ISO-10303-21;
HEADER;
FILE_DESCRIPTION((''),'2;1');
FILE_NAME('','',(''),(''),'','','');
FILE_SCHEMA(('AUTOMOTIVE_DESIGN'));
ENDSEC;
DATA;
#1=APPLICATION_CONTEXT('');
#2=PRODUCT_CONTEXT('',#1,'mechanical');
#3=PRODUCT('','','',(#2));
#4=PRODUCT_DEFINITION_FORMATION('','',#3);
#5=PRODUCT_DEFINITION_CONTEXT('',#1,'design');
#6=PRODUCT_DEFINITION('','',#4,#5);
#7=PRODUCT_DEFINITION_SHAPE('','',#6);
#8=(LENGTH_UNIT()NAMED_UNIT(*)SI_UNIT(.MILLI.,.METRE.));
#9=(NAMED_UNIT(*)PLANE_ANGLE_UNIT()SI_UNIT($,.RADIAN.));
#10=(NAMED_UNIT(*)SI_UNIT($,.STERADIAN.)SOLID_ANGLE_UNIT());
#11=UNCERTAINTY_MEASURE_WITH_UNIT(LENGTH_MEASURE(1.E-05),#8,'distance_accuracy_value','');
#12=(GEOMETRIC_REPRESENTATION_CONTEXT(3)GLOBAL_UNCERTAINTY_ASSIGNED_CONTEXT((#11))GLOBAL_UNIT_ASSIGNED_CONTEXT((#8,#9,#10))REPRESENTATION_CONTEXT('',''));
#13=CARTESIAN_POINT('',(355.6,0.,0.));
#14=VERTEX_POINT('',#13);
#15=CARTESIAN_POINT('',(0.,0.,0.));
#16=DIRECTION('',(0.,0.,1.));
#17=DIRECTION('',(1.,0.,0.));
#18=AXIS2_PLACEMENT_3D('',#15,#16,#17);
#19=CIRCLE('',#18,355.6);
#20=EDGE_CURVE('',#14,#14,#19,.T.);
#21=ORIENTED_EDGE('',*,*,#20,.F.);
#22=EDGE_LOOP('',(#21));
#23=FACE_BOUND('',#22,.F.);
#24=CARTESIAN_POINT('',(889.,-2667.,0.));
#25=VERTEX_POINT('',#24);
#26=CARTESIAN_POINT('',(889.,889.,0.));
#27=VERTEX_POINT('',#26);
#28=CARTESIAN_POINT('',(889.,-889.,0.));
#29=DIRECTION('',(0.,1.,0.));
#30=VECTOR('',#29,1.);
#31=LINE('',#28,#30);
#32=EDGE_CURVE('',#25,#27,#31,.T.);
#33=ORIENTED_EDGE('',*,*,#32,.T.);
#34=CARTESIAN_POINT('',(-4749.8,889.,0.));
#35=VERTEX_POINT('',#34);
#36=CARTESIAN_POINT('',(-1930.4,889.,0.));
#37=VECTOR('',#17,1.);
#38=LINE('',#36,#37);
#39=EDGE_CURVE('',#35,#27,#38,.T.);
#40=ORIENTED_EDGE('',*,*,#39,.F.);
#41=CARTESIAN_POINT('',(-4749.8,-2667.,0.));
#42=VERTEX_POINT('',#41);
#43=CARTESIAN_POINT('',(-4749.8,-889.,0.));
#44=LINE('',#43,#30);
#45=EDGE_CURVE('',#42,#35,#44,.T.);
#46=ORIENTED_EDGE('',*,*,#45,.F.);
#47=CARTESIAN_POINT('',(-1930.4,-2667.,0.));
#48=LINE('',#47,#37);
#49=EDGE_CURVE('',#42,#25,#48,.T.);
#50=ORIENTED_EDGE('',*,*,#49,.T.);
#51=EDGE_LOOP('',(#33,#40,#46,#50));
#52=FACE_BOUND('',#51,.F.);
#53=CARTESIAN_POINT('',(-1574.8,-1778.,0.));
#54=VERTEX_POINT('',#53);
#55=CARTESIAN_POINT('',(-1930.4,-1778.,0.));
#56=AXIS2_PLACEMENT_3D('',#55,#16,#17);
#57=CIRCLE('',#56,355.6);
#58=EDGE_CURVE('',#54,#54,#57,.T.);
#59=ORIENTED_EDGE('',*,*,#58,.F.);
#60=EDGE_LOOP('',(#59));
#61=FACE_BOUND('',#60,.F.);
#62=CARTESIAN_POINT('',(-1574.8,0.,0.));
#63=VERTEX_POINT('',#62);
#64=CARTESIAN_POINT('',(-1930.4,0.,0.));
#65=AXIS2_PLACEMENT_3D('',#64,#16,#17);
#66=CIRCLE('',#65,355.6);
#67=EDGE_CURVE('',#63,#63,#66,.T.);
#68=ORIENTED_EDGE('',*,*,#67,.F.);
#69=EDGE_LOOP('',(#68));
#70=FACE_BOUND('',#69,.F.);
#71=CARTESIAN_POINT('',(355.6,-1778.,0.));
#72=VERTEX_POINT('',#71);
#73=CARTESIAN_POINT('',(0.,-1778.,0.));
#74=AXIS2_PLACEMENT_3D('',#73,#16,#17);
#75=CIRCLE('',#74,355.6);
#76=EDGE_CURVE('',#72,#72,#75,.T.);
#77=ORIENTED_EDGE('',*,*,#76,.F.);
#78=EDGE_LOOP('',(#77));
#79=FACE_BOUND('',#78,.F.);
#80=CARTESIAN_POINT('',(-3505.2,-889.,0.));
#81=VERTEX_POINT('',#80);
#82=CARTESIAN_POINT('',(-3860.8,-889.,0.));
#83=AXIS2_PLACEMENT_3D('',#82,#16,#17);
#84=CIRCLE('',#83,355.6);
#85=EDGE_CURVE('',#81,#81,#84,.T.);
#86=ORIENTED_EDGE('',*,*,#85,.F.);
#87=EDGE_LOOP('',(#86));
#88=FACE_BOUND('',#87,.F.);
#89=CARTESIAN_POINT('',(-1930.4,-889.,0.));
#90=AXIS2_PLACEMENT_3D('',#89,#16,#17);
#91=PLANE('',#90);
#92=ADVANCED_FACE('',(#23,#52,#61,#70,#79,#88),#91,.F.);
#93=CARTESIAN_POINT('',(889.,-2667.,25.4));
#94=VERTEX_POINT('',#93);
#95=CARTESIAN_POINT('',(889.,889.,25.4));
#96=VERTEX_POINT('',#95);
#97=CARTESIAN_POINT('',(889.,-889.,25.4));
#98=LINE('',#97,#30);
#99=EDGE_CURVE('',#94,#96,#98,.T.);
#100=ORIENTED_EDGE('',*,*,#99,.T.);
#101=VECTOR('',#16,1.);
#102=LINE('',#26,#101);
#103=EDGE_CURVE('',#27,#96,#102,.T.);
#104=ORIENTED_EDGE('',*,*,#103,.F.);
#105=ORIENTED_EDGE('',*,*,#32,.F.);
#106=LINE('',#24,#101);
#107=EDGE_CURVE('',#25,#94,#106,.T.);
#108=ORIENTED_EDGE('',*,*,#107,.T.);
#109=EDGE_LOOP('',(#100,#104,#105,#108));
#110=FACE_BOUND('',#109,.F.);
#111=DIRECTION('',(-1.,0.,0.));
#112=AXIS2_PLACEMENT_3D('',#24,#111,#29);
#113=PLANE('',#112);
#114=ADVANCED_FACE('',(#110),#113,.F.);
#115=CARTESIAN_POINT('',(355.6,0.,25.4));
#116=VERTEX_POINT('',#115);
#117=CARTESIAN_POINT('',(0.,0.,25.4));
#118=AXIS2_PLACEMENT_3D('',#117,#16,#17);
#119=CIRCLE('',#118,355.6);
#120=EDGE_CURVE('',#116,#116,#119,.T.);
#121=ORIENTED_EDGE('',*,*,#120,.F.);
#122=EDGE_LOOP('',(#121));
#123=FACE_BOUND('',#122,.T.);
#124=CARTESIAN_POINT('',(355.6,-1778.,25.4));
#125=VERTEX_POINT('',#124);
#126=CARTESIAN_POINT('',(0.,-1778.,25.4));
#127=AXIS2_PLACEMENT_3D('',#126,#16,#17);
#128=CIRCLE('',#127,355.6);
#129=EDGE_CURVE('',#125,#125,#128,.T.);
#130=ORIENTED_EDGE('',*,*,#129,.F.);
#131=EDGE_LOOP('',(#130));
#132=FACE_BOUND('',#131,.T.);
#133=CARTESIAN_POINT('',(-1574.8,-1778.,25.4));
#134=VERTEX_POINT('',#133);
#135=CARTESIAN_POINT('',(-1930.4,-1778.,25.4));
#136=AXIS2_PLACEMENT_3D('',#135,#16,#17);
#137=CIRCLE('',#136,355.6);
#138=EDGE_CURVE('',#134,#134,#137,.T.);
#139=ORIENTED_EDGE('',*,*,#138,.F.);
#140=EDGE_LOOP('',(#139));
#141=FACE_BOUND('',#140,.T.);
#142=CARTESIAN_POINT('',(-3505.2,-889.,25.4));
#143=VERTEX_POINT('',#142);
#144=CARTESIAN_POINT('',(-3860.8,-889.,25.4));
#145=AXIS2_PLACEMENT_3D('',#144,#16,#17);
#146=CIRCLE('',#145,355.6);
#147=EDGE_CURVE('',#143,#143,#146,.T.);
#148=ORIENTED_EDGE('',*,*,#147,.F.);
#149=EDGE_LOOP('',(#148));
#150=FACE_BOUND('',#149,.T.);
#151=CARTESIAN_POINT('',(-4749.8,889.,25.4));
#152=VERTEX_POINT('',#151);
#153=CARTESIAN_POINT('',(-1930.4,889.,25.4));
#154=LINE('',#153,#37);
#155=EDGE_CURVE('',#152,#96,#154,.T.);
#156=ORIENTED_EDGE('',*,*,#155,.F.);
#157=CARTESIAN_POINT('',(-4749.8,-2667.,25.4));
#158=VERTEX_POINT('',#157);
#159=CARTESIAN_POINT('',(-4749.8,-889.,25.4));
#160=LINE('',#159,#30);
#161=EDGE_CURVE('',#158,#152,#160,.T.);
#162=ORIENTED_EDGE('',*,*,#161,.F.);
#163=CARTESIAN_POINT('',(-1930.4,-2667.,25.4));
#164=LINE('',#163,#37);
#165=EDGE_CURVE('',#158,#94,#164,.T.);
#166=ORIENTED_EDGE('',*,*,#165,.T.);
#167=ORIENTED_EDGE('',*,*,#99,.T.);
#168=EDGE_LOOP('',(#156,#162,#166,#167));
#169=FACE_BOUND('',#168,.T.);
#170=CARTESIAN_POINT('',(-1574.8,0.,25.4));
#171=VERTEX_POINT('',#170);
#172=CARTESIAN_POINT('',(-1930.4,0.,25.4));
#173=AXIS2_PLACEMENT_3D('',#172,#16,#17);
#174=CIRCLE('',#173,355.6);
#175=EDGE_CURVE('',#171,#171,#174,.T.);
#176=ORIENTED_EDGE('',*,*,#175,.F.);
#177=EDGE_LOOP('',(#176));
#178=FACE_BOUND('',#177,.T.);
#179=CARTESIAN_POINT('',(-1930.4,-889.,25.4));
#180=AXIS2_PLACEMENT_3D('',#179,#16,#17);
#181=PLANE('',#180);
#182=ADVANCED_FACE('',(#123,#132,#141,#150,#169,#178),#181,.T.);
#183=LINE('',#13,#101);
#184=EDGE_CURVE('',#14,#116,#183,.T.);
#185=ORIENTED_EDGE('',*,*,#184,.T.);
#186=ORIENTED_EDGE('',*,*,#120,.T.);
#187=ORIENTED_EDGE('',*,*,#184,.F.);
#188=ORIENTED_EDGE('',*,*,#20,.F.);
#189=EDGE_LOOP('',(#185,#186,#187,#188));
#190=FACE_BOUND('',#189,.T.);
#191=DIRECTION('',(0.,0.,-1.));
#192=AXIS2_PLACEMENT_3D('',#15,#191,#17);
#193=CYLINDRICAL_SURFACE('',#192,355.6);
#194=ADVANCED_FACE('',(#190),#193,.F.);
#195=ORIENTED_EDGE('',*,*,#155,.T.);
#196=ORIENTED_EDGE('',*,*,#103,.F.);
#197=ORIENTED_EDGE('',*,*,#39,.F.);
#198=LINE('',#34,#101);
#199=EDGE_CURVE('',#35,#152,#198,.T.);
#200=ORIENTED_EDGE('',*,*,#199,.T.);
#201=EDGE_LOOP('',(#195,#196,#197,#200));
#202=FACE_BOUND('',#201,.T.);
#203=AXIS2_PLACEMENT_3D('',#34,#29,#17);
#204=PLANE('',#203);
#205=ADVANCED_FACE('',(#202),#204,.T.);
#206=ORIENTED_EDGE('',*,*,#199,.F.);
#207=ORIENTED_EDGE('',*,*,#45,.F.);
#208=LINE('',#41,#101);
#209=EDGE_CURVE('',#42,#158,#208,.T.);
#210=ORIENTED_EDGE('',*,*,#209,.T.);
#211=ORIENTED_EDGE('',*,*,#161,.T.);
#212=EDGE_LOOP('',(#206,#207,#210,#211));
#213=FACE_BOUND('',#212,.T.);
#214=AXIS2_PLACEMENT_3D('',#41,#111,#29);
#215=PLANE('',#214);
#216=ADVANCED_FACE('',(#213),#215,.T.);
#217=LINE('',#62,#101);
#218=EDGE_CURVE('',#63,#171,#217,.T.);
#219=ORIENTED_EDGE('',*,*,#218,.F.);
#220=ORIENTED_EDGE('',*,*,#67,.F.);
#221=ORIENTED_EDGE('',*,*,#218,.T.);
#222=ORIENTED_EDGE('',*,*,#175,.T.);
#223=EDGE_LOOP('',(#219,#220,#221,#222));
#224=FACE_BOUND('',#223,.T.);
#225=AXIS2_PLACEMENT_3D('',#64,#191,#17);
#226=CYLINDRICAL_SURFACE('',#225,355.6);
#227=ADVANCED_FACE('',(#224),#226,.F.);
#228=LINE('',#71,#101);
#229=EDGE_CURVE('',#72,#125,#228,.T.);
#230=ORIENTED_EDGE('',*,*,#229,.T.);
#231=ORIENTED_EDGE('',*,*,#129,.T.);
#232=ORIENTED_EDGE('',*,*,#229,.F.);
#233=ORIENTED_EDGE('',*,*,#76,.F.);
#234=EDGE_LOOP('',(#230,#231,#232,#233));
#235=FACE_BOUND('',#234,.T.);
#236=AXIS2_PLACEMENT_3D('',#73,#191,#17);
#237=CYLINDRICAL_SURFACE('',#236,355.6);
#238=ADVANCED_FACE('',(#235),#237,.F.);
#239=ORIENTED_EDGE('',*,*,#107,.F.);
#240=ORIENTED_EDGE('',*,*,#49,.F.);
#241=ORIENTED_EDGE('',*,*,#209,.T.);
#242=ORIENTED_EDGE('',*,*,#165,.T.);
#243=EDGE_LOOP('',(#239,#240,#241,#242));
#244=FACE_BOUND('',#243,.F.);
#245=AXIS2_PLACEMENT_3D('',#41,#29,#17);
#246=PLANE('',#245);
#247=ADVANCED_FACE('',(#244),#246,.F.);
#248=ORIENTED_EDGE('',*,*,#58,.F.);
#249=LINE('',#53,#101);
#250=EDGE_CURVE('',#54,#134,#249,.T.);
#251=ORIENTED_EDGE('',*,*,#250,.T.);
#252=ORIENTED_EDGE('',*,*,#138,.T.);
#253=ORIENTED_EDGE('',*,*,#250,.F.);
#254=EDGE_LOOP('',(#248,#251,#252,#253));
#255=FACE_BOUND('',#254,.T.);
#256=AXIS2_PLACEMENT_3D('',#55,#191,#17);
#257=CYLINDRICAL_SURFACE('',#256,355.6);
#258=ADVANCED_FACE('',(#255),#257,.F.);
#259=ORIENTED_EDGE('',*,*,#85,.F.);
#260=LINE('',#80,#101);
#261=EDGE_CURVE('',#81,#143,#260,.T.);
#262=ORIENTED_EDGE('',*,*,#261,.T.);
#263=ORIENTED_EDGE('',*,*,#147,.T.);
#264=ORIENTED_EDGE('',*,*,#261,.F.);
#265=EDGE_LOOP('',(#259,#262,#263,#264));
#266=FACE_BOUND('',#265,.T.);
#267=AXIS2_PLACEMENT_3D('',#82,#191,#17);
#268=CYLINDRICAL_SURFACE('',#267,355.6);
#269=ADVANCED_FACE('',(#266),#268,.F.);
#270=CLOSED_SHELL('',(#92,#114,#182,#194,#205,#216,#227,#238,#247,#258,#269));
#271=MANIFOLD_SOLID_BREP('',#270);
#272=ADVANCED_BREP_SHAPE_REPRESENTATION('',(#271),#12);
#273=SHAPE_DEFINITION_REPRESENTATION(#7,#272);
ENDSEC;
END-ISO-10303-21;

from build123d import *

# Parameters (mm, degrees)
F0_W     = 5638.8
F0_H     = 3556
F0_R     = 355.6
F1_DEPTH = 25.4


with BuildPart() as f1:
    # F0 (on Top) → F1 (new body)
    with BuildSketch(Plane.XY):
        with Locations((-1930.4, -889)):
            Rectangle(F0_W, F0_H)
        with Locations((-1930.4, -1778)):
            Circle(F0_R, mode=Mode.SUBTRACT)
        with Locations((0, -1778)):
            Circle(F0_R, mode=Mode.SUBTRACT)
        with Locations((-3860.8, -889)):
            Circle(F0_R, mode=Mode.SUBTRACT)
        with Locations((-1930.4, 0)):
            Circle(F0_R, mode=Mode.SUBTRACT)
        Circle(F0_R, mode=Mode.SUBTRACT)
    extrude(amount=F1_DEPTH)


solid = f1.part
